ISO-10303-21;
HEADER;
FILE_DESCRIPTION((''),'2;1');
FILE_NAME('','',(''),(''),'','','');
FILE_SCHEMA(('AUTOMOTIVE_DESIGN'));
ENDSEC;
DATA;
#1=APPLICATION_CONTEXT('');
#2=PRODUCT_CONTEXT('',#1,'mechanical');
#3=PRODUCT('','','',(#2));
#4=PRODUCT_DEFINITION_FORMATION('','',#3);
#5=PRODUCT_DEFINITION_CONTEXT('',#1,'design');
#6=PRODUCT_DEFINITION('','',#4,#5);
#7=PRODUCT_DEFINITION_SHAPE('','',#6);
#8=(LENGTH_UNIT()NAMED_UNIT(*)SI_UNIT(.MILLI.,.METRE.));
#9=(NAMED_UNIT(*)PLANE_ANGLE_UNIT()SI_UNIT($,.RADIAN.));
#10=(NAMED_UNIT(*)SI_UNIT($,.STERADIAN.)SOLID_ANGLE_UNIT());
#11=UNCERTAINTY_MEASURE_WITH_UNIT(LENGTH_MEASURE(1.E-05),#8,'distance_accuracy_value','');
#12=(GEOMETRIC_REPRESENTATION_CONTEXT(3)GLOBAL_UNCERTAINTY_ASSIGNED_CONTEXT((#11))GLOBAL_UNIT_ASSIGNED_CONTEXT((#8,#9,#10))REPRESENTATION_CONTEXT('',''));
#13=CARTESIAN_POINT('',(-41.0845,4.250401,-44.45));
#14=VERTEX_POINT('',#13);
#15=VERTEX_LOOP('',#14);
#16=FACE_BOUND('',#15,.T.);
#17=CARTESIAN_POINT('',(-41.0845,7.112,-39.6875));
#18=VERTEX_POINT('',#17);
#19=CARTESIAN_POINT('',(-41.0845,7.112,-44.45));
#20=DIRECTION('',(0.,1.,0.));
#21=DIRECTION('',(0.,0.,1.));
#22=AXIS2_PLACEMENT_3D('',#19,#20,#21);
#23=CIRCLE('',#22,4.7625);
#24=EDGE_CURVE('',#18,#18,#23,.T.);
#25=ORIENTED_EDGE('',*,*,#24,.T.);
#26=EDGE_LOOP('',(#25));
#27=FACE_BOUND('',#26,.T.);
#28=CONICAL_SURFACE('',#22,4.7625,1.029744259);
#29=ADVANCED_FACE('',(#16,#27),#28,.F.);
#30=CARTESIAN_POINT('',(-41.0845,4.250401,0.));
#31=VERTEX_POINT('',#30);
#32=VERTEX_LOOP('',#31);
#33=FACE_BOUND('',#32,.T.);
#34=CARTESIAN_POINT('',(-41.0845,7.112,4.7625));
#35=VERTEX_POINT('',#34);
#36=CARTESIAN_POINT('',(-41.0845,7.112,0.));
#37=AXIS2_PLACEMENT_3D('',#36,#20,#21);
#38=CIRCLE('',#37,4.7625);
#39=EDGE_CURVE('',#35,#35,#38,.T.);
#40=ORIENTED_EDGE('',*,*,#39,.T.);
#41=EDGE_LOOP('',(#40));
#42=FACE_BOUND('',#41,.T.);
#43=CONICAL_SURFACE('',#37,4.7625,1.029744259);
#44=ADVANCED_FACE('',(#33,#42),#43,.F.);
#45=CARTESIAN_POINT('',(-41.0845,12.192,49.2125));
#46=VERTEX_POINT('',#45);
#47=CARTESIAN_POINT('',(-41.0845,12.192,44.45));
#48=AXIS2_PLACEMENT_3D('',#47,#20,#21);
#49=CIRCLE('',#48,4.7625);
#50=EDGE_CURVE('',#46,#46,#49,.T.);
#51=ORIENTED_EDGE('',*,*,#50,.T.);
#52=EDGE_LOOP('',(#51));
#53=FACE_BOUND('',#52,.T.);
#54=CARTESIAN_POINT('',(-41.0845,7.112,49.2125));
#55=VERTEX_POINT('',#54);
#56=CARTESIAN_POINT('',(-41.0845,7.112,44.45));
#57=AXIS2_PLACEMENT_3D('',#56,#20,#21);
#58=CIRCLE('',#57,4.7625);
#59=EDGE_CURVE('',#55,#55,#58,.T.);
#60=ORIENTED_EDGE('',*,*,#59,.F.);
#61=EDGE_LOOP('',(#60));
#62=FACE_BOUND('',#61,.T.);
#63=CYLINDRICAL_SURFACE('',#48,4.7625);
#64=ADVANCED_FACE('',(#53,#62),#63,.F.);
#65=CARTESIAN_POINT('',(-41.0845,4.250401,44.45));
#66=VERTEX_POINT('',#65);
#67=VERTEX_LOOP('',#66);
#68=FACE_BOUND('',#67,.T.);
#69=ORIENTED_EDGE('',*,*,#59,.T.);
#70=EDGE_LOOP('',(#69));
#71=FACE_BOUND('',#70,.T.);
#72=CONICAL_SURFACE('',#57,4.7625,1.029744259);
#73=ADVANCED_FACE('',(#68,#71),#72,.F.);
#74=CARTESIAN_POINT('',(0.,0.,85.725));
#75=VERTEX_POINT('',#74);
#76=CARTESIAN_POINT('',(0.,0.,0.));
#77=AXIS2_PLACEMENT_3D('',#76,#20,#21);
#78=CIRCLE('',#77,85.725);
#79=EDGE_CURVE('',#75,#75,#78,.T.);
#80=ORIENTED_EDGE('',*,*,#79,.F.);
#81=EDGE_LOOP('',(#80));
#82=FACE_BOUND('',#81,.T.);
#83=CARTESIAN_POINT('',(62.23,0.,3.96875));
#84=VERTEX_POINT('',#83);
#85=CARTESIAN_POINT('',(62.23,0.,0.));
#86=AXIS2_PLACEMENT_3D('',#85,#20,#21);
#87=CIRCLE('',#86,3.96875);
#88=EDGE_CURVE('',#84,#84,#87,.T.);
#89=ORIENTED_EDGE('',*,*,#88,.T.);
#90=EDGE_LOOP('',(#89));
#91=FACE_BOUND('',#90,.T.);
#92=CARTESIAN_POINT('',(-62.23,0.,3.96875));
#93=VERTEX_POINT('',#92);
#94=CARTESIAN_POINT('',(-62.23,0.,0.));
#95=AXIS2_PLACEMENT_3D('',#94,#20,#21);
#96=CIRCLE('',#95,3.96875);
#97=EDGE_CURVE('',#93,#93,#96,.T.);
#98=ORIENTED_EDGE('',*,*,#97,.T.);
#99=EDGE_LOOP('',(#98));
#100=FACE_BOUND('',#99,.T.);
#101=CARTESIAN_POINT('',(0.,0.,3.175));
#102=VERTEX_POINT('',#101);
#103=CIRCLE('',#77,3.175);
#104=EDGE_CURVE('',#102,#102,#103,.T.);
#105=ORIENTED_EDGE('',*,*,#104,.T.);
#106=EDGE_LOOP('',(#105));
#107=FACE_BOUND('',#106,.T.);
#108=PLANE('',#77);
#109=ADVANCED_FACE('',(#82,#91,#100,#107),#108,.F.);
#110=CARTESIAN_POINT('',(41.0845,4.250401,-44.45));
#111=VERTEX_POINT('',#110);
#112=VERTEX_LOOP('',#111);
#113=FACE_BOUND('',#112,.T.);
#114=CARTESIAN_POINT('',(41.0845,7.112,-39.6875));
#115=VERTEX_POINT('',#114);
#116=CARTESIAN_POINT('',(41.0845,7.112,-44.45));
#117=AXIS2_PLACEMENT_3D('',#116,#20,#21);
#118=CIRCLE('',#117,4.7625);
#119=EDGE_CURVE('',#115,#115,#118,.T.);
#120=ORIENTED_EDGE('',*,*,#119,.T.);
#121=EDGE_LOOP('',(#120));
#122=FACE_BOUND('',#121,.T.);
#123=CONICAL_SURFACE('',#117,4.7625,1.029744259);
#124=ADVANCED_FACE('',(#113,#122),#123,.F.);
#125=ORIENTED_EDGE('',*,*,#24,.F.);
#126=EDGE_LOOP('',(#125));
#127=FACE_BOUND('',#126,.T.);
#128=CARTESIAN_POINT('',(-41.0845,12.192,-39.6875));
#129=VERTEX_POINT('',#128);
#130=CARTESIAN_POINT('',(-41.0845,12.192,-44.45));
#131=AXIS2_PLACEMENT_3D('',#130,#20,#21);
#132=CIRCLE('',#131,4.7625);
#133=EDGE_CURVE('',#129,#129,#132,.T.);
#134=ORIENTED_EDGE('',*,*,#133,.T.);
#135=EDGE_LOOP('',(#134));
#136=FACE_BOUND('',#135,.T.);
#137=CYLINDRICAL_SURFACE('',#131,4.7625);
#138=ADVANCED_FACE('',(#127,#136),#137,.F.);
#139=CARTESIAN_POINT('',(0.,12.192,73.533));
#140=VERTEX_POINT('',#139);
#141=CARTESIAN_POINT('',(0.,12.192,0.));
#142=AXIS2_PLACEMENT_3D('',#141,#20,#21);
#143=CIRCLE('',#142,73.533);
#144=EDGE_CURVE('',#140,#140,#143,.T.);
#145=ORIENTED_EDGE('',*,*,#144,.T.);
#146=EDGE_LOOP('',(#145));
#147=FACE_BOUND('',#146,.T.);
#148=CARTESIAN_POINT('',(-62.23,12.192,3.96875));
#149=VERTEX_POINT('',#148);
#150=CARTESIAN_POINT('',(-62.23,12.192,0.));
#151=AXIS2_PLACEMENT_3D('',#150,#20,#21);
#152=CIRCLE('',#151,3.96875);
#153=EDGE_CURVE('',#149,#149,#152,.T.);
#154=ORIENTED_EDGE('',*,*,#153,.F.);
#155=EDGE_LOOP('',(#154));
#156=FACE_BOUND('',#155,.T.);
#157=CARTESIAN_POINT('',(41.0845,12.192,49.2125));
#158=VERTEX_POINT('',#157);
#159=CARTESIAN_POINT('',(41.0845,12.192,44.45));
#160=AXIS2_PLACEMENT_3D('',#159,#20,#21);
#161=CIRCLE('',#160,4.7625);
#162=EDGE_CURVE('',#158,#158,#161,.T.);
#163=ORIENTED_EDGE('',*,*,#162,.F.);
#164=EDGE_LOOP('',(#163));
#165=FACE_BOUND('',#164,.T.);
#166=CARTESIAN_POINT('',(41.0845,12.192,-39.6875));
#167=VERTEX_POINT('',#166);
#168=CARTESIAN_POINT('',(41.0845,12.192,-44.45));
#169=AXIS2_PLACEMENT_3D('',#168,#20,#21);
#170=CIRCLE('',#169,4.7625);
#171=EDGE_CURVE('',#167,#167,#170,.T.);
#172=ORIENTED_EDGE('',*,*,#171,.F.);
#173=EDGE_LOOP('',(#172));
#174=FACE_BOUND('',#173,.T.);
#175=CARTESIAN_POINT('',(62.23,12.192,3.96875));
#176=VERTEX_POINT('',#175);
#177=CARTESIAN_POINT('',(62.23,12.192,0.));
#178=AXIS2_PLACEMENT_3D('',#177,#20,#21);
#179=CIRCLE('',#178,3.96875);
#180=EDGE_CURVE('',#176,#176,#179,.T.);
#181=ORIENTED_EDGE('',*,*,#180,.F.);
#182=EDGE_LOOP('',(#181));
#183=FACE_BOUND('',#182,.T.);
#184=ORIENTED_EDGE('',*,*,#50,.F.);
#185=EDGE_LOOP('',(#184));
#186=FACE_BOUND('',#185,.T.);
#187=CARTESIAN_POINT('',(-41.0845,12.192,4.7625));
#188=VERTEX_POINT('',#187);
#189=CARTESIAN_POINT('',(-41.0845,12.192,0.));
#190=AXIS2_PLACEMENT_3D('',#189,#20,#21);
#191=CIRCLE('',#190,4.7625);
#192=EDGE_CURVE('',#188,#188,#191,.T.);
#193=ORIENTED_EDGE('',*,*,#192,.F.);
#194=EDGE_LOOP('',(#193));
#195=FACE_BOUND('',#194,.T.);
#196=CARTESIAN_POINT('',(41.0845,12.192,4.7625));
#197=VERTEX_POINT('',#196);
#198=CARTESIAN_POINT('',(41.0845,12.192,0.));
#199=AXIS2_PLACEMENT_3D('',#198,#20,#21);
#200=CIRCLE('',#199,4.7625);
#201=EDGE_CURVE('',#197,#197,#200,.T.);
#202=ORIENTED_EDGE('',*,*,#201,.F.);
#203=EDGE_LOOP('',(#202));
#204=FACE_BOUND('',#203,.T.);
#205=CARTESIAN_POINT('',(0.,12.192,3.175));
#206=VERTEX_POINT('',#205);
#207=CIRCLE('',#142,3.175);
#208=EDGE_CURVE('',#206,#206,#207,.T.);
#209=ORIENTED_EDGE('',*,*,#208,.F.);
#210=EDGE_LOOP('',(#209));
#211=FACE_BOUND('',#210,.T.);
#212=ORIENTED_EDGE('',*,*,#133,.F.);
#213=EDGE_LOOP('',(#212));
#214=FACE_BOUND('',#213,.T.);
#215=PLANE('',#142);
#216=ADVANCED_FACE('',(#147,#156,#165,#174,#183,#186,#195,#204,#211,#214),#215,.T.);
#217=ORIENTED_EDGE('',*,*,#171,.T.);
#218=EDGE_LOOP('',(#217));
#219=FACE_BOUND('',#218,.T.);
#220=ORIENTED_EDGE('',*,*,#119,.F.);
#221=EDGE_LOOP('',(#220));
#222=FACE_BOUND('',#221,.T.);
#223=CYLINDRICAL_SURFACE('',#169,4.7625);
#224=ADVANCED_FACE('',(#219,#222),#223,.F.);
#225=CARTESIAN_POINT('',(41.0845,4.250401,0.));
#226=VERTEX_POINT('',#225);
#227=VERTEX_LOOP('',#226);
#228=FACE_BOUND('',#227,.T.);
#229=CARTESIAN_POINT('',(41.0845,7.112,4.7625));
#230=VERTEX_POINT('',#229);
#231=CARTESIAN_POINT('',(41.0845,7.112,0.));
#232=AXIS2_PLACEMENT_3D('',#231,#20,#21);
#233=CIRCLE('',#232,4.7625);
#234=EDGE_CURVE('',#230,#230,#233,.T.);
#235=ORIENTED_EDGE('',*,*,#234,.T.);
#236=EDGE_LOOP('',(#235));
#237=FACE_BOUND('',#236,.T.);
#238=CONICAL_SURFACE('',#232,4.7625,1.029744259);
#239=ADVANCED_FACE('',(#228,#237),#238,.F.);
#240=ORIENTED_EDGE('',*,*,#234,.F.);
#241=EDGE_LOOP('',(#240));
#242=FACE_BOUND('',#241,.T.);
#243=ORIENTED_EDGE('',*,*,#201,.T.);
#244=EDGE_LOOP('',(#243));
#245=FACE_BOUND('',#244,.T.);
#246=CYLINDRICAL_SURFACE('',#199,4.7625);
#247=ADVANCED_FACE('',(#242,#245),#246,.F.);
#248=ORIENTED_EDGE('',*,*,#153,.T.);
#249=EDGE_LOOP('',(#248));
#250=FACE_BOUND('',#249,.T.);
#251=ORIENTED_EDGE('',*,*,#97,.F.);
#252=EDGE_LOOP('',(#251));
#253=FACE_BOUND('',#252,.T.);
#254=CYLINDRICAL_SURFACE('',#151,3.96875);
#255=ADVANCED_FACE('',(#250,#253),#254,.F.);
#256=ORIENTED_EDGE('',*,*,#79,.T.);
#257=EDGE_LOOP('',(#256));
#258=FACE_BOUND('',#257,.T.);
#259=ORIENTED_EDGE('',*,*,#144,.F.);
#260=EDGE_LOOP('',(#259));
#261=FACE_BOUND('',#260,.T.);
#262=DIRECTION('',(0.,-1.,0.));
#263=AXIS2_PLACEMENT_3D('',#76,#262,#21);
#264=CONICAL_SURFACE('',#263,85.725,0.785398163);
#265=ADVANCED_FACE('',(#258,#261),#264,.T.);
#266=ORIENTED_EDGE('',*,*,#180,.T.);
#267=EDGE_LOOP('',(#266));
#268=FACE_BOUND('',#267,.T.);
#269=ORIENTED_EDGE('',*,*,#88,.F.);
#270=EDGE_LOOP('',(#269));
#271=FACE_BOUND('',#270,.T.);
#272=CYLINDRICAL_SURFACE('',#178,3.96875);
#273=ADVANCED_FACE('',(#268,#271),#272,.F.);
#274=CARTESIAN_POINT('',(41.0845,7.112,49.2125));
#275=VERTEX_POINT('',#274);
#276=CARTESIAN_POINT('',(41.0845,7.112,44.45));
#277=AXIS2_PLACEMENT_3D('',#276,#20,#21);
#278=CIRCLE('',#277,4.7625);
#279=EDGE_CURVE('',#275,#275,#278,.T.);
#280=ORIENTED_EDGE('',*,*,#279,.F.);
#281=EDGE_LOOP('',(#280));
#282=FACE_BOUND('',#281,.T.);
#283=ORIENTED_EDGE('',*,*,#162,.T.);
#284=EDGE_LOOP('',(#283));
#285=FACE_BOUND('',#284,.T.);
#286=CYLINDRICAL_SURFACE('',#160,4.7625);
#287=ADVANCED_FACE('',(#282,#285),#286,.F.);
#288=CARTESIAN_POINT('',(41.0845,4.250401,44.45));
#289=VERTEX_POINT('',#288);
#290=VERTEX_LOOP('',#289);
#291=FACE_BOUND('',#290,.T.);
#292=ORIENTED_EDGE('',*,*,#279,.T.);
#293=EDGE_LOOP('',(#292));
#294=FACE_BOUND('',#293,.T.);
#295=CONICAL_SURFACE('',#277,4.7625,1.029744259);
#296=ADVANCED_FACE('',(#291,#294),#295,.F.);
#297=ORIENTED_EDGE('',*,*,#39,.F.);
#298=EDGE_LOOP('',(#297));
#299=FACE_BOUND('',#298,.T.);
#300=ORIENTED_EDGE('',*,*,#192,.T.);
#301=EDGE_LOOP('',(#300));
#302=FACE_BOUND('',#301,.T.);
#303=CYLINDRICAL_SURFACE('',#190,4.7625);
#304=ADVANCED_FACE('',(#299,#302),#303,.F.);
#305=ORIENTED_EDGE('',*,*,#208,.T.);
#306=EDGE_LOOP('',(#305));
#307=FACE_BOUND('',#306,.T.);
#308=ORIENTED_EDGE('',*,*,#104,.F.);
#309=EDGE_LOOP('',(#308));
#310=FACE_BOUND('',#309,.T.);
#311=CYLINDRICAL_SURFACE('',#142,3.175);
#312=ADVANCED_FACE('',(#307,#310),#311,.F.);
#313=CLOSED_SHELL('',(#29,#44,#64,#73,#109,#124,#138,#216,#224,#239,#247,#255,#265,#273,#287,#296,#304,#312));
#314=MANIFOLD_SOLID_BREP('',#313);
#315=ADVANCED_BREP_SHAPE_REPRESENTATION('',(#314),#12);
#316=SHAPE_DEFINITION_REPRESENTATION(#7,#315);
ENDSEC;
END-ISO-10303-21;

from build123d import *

# Parameters (mm, degrees)
SKETCH1_R                        = 85.725
BOSS_EXTRUDE1_DEPTH              = 12.192
BOSS_EXTRUDE1_TAPER              = 45
F_3_8_16_TAPPED_HOLE1_D          = 7.9375
F_1_4_0_25_PRESS_DOWEL_HOLE1_D   = 6.35
F_3_8_0_375_DIAMETER_HOLE1_D     = 9.525
F_3_8_0_375_DIAMETER_HOLE1_DEPTH = 5.08
F_3_8_0_375_DIAMETER_HOLE1_TIP   = 2.861598698


with BuildPart() as part:
    # Sketch1 → Boss-Extrude1 (new body)
    with BuildSketch(Plane(origin=(0, 0, 0), x_dir=(1, 0, 0), z_dir=(0, 1, 0))):
        Circle(SKETCH1_R)
    extrude(amount=BOSS_EXTRUDE1_DEPTH, taper=BOSS_EXTRUDE1_TAPER)

    # 3/8-16 Tapped Hole1 (through all)
    with Locations(Plane(origin=(0, 12.192, 0), x_dir=(-0.9997060077974085, 0, -0.024246607469250836), z_dir=(0, 1, 0))):
        with Locations((62.211704865, 1.508866383), (-62.211704865, -1.508866383)):
            Hole(F_3_8_16_TAPPED_HOLE1_D / 2)

    # 1/4 (0.25) Press Dowel Hole1 (through all)
    with Locations(Plane(origin=(-177.991498203, 12.192, 193.466008664), x_dir=(-0.909586317376337, 0, -0.4155150192733753), z_dir=(0, 1, 0))):
        with Locations((-81.510599056, -249.932175164)):
            Hole(F_1_4_0_25_PRESS_DOWEL_HOLE1_D / 2)

    # 3/8 (0.375) Diameter Hole1
    with Locations(Plane(origin=(0, 12.192, 0), x_dir=(1, 0, 0), z_dir=(0, 1, 0))):
        with Locations((-41.0845, 44.45), (-41.0845, 0), (-41.0845, -44.45), (41.0845, -44.45), (41.0845, 0), (41.0845, 44.45)):
            Hole(F_3_8_0_375_DIAMETER_HOLE1_D / 2, depth=F_3_8_0_375_DIAMETER_HOLE1_DEPTH)
            with Locations((0, 0, -(F_3_8_0_375_DIAMETER_HOLE1_DEPTH + F_3_8_0_375_DIAMETER_HOLE1_TIP / 2))):  # 118° drill point
                Cone(0, F_3_8_0_375_DIAMETER_HOLE1_D / 2, F_3_8_0_375_DIAMETER_HOLE1_TIP, mode=Mode.SUBTRACT)


solid = part.part
